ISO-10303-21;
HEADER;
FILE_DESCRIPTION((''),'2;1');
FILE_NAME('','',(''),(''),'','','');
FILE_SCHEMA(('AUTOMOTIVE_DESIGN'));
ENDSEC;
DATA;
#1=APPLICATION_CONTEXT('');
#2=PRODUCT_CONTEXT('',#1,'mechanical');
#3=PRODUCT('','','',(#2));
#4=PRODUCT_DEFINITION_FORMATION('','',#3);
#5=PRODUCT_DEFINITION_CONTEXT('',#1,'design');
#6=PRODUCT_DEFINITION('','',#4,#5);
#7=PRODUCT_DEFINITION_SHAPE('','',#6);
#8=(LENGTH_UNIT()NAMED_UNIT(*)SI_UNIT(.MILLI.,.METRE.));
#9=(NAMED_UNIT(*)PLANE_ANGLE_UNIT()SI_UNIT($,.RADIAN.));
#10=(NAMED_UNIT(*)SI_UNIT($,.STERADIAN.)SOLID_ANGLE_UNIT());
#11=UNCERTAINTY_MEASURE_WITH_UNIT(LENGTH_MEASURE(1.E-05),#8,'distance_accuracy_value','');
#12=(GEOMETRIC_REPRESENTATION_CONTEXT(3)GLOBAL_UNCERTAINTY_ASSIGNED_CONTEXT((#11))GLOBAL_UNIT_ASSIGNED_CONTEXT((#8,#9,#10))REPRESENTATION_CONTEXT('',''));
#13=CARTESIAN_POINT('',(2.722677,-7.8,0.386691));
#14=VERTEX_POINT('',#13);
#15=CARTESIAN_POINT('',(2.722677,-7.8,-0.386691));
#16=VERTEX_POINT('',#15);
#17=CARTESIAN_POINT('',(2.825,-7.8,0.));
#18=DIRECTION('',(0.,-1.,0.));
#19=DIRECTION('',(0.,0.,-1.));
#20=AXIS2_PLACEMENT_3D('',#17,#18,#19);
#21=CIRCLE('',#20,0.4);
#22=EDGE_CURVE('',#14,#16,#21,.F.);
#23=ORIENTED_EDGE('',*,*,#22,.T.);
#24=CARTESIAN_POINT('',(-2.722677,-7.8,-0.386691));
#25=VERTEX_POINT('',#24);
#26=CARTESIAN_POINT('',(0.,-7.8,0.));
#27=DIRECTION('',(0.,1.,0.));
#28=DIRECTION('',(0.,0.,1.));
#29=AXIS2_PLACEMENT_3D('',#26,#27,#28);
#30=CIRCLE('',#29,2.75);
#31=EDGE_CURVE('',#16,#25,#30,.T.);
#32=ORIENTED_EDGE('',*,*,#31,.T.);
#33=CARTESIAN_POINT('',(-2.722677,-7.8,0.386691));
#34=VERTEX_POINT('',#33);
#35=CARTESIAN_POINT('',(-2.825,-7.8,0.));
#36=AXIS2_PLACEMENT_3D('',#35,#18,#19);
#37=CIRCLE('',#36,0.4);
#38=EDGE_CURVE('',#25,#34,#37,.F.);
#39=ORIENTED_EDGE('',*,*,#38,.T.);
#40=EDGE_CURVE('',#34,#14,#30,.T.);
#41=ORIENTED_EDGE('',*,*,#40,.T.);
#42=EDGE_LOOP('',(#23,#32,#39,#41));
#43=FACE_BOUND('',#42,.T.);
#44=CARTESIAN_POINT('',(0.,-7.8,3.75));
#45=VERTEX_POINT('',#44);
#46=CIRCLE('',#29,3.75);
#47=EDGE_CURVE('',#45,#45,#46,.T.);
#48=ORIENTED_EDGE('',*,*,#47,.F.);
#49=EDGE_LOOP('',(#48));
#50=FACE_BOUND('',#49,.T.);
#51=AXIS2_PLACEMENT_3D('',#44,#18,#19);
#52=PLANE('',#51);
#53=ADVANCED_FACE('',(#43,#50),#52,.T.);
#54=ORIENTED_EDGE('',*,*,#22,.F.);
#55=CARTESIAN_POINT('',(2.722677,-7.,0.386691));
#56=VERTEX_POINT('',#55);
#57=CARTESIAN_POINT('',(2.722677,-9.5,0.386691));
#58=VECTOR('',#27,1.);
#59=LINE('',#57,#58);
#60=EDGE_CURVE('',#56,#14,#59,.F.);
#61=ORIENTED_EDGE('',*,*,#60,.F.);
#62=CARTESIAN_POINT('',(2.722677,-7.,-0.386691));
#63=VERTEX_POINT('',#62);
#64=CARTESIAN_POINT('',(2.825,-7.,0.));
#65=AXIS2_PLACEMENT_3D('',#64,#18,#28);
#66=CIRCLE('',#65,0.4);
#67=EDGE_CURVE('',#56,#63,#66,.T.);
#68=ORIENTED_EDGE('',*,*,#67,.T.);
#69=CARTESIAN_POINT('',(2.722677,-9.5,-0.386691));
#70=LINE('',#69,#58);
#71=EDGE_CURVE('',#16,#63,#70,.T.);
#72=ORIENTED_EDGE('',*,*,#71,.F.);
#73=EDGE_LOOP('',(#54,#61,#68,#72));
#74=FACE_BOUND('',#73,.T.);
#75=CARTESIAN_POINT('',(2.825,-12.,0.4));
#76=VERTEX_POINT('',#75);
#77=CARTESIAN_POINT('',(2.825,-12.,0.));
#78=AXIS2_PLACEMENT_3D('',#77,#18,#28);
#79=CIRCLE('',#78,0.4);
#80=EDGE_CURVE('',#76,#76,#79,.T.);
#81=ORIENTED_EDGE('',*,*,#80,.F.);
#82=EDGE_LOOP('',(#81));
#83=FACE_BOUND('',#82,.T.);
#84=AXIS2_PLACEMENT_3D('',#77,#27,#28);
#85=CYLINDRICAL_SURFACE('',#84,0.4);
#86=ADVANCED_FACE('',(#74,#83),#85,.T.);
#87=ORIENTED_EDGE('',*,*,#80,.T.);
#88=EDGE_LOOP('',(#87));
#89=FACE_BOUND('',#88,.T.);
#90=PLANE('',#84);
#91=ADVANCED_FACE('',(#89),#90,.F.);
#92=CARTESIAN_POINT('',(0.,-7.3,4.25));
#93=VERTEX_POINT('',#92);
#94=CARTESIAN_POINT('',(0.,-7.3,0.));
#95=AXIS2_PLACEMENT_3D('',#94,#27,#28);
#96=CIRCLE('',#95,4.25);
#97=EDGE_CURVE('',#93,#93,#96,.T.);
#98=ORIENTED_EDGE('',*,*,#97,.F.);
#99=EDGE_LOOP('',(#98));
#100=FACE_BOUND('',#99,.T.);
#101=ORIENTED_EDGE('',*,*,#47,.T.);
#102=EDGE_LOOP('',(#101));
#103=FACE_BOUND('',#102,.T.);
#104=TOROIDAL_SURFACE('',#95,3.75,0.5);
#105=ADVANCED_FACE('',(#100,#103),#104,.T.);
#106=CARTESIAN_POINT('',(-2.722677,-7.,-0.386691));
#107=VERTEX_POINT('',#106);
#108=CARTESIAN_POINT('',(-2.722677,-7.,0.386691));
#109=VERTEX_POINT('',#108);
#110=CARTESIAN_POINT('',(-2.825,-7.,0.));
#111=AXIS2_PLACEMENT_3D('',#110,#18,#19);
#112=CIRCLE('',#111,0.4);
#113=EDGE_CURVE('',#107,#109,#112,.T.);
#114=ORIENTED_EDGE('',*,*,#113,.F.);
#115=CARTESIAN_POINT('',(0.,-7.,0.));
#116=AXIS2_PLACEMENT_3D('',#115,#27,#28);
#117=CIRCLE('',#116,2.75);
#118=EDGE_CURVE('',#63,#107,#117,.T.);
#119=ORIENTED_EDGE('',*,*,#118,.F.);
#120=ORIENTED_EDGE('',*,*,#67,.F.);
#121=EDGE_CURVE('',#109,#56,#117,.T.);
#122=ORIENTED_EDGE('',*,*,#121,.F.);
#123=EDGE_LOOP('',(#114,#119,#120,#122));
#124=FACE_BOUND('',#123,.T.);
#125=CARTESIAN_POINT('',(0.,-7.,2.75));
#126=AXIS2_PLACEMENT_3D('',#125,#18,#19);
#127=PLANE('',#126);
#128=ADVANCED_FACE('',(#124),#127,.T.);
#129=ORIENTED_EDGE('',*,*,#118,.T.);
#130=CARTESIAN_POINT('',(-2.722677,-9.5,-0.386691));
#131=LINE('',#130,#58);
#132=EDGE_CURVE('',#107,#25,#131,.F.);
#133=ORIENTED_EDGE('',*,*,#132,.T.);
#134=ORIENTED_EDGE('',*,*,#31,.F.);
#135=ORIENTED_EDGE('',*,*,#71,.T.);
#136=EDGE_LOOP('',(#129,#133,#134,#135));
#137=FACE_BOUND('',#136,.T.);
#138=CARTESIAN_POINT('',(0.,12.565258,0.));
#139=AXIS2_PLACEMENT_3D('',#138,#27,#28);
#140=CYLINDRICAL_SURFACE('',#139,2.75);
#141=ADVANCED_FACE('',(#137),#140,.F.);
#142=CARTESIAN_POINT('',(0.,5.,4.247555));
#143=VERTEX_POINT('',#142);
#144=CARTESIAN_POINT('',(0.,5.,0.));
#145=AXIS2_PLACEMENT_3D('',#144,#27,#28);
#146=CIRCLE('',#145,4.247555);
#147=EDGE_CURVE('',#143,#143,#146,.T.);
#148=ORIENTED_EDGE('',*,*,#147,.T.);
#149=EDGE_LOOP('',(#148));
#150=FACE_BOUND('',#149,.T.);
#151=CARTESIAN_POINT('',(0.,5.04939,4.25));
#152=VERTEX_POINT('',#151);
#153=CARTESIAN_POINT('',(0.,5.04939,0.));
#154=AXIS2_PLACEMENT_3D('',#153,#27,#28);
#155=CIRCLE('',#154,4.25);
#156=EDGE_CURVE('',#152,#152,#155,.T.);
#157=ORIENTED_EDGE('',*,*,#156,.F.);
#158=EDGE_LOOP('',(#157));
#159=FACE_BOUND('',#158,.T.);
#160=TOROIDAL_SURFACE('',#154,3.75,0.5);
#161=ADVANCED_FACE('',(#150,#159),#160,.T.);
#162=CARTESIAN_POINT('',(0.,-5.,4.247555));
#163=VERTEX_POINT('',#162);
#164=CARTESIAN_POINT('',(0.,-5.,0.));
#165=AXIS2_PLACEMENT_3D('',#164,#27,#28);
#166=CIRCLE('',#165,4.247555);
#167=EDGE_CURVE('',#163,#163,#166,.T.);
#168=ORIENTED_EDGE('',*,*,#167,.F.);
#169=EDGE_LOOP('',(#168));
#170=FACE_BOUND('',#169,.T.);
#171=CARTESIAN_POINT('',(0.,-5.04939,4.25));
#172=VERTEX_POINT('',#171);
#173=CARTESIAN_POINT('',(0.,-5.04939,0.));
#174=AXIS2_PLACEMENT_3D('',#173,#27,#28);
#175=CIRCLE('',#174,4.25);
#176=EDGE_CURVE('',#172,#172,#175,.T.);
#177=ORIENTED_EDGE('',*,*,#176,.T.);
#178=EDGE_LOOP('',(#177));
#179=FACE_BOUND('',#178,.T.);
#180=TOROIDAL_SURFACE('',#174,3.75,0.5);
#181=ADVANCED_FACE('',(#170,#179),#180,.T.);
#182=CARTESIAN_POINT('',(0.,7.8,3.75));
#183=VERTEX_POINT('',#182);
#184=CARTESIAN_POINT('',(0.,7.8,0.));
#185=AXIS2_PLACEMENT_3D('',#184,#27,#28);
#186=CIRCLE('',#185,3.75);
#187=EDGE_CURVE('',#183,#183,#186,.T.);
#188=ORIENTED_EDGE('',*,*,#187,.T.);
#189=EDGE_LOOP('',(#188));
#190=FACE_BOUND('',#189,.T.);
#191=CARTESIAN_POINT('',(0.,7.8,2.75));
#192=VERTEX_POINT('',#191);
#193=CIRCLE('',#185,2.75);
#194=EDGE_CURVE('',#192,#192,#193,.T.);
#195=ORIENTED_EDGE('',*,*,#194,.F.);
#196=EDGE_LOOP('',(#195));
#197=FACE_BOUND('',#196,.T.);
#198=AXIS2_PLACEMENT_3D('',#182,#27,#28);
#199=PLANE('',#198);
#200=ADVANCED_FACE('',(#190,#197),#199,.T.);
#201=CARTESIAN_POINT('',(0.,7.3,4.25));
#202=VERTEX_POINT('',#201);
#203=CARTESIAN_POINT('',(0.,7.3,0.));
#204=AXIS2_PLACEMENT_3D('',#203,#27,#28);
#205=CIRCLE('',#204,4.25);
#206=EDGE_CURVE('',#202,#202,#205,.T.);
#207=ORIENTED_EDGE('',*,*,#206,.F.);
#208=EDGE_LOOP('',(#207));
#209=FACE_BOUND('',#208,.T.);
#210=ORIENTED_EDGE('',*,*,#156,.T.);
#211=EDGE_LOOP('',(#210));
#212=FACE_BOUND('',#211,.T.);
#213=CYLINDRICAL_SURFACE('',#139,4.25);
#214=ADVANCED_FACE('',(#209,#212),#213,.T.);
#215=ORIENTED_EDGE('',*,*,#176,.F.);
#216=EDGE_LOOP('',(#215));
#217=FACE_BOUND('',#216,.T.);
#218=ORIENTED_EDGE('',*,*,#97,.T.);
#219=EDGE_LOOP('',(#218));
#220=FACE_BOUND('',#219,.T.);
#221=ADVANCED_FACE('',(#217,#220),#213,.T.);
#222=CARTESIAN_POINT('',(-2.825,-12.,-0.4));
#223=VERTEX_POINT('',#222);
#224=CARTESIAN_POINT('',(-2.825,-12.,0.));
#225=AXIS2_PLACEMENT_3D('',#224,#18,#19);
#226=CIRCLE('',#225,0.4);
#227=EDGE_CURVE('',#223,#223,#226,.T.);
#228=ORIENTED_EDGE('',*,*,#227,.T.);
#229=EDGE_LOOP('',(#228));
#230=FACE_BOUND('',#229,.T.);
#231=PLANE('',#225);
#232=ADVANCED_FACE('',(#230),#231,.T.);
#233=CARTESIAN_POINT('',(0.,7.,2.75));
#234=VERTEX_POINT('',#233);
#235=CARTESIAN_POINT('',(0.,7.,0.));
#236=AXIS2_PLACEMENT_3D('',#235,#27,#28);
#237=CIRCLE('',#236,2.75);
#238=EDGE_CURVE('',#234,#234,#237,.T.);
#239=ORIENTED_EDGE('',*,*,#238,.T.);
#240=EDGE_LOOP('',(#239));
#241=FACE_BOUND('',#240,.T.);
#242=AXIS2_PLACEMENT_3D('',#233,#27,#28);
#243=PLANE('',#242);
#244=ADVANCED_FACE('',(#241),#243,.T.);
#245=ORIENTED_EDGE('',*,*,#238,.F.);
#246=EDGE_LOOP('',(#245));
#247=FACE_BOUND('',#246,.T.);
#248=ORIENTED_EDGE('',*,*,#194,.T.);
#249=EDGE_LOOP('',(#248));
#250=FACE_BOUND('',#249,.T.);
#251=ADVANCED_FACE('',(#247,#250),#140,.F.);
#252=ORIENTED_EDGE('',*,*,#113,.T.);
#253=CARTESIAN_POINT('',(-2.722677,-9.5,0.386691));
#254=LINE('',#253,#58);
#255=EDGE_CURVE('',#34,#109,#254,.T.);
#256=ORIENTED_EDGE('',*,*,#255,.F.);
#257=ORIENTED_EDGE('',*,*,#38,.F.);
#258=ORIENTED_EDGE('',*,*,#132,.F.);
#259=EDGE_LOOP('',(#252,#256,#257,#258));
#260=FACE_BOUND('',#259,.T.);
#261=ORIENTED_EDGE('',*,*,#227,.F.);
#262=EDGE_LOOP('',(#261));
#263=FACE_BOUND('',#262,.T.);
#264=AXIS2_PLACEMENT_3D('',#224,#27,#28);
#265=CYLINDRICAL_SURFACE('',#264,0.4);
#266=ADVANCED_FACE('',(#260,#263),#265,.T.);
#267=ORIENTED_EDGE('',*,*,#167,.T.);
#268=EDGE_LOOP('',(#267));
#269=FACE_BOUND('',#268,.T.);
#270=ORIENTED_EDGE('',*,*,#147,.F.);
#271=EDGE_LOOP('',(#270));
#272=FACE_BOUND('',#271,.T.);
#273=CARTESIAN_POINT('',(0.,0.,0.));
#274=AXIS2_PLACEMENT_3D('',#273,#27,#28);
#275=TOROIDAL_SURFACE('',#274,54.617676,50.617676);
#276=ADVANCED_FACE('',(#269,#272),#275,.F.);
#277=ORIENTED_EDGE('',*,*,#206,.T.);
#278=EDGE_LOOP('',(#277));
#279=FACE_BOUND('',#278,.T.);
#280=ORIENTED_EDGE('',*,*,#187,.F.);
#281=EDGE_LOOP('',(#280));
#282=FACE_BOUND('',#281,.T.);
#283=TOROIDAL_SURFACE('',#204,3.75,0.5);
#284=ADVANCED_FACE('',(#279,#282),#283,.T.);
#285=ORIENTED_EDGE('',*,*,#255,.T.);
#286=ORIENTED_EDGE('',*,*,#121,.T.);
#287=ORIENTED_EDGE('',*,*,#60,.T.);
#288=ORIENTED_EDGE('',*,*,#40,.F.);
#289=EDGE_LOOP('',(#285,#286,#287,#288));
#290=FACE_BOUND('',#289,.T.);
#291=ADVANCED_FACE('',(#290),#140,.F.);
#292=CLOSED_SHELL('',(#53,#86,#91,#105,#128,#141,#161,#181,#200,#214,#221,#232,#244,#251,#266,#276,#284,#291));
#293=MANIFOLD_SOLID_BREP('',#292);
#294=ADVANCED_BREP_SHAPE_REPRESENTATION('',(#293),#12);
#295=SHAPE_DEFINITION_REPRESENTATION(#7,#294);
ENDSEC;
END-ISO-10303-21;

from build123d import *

# Parameters (mm, degrees)
SKETCH3_R           = 0.4
BOSS_EXTRUDE1_DEPTH = 5


with BuildPart() as part:
    # Sketch1 → Revolve1 (revolve)
    with BuildSketch(Plane(origin=(0, 0, 0), x_dir=(0, 0, -1), z_dir=(1, 0, 0))):
        with BuildLine():
            Line((-4.25, 7.3), (-4.25, 5.049389861))
            ThreePointArc((-4.25, 5.049389861), (-4.249388291, 5.024664681), (-4.247554662, 5))
            ThreePointArc((-4.247554662, 5), (-4, 0), (-4.247554662, -5))
            ThreePointArc((-4.247554662, -5), (-4.249388291, -5.024664681), (-4.25, -5.049389861))
            Line((-4.25, -5.049389861), (-4.25, -7.3))
            ThreePointArc((-4.25, -7.3), (-4.103553391, -7.653553391), (-3.75, -7.8))
            Line((-3.75, -7.8), (-2.75, -7.8))
            Line((-2.75, -7.8), (-2.75, -7))
            Line((-2.75, -7), (0, -7))
            Line((0, -7), (0, 7))
            Line((0, 7), (-2.75, 7))
            Line((-2.75, 7), (-2.75, 7.8))
            Line((-2.75, 7.8), (-3.75, 7.8))
            ThreePointArc((-3.75, 7.8), (-4.103553391, 7.653553391), (-4.25, 7.3))
        make_face()
    revolve(axis=Axis((0, 12.565257793, 0), (0, -1, 0)))

    # Sketch3 → Boss-Extrude1 (add)
    with BuildSketch(Plane.XZ.offset(7)):
        with Locations(Location((-2.825, 0, 0), (0, 0, 75.178560111))):
            Circle(SKETCH3_R)
        with Locations(Location((2.825, 0, 0), (0, 0, 90))):
            Circle(SKETCH3_R)
    extrude(amount=BOSS_EXTRUDE1_DEPTH)


solid = part.part
